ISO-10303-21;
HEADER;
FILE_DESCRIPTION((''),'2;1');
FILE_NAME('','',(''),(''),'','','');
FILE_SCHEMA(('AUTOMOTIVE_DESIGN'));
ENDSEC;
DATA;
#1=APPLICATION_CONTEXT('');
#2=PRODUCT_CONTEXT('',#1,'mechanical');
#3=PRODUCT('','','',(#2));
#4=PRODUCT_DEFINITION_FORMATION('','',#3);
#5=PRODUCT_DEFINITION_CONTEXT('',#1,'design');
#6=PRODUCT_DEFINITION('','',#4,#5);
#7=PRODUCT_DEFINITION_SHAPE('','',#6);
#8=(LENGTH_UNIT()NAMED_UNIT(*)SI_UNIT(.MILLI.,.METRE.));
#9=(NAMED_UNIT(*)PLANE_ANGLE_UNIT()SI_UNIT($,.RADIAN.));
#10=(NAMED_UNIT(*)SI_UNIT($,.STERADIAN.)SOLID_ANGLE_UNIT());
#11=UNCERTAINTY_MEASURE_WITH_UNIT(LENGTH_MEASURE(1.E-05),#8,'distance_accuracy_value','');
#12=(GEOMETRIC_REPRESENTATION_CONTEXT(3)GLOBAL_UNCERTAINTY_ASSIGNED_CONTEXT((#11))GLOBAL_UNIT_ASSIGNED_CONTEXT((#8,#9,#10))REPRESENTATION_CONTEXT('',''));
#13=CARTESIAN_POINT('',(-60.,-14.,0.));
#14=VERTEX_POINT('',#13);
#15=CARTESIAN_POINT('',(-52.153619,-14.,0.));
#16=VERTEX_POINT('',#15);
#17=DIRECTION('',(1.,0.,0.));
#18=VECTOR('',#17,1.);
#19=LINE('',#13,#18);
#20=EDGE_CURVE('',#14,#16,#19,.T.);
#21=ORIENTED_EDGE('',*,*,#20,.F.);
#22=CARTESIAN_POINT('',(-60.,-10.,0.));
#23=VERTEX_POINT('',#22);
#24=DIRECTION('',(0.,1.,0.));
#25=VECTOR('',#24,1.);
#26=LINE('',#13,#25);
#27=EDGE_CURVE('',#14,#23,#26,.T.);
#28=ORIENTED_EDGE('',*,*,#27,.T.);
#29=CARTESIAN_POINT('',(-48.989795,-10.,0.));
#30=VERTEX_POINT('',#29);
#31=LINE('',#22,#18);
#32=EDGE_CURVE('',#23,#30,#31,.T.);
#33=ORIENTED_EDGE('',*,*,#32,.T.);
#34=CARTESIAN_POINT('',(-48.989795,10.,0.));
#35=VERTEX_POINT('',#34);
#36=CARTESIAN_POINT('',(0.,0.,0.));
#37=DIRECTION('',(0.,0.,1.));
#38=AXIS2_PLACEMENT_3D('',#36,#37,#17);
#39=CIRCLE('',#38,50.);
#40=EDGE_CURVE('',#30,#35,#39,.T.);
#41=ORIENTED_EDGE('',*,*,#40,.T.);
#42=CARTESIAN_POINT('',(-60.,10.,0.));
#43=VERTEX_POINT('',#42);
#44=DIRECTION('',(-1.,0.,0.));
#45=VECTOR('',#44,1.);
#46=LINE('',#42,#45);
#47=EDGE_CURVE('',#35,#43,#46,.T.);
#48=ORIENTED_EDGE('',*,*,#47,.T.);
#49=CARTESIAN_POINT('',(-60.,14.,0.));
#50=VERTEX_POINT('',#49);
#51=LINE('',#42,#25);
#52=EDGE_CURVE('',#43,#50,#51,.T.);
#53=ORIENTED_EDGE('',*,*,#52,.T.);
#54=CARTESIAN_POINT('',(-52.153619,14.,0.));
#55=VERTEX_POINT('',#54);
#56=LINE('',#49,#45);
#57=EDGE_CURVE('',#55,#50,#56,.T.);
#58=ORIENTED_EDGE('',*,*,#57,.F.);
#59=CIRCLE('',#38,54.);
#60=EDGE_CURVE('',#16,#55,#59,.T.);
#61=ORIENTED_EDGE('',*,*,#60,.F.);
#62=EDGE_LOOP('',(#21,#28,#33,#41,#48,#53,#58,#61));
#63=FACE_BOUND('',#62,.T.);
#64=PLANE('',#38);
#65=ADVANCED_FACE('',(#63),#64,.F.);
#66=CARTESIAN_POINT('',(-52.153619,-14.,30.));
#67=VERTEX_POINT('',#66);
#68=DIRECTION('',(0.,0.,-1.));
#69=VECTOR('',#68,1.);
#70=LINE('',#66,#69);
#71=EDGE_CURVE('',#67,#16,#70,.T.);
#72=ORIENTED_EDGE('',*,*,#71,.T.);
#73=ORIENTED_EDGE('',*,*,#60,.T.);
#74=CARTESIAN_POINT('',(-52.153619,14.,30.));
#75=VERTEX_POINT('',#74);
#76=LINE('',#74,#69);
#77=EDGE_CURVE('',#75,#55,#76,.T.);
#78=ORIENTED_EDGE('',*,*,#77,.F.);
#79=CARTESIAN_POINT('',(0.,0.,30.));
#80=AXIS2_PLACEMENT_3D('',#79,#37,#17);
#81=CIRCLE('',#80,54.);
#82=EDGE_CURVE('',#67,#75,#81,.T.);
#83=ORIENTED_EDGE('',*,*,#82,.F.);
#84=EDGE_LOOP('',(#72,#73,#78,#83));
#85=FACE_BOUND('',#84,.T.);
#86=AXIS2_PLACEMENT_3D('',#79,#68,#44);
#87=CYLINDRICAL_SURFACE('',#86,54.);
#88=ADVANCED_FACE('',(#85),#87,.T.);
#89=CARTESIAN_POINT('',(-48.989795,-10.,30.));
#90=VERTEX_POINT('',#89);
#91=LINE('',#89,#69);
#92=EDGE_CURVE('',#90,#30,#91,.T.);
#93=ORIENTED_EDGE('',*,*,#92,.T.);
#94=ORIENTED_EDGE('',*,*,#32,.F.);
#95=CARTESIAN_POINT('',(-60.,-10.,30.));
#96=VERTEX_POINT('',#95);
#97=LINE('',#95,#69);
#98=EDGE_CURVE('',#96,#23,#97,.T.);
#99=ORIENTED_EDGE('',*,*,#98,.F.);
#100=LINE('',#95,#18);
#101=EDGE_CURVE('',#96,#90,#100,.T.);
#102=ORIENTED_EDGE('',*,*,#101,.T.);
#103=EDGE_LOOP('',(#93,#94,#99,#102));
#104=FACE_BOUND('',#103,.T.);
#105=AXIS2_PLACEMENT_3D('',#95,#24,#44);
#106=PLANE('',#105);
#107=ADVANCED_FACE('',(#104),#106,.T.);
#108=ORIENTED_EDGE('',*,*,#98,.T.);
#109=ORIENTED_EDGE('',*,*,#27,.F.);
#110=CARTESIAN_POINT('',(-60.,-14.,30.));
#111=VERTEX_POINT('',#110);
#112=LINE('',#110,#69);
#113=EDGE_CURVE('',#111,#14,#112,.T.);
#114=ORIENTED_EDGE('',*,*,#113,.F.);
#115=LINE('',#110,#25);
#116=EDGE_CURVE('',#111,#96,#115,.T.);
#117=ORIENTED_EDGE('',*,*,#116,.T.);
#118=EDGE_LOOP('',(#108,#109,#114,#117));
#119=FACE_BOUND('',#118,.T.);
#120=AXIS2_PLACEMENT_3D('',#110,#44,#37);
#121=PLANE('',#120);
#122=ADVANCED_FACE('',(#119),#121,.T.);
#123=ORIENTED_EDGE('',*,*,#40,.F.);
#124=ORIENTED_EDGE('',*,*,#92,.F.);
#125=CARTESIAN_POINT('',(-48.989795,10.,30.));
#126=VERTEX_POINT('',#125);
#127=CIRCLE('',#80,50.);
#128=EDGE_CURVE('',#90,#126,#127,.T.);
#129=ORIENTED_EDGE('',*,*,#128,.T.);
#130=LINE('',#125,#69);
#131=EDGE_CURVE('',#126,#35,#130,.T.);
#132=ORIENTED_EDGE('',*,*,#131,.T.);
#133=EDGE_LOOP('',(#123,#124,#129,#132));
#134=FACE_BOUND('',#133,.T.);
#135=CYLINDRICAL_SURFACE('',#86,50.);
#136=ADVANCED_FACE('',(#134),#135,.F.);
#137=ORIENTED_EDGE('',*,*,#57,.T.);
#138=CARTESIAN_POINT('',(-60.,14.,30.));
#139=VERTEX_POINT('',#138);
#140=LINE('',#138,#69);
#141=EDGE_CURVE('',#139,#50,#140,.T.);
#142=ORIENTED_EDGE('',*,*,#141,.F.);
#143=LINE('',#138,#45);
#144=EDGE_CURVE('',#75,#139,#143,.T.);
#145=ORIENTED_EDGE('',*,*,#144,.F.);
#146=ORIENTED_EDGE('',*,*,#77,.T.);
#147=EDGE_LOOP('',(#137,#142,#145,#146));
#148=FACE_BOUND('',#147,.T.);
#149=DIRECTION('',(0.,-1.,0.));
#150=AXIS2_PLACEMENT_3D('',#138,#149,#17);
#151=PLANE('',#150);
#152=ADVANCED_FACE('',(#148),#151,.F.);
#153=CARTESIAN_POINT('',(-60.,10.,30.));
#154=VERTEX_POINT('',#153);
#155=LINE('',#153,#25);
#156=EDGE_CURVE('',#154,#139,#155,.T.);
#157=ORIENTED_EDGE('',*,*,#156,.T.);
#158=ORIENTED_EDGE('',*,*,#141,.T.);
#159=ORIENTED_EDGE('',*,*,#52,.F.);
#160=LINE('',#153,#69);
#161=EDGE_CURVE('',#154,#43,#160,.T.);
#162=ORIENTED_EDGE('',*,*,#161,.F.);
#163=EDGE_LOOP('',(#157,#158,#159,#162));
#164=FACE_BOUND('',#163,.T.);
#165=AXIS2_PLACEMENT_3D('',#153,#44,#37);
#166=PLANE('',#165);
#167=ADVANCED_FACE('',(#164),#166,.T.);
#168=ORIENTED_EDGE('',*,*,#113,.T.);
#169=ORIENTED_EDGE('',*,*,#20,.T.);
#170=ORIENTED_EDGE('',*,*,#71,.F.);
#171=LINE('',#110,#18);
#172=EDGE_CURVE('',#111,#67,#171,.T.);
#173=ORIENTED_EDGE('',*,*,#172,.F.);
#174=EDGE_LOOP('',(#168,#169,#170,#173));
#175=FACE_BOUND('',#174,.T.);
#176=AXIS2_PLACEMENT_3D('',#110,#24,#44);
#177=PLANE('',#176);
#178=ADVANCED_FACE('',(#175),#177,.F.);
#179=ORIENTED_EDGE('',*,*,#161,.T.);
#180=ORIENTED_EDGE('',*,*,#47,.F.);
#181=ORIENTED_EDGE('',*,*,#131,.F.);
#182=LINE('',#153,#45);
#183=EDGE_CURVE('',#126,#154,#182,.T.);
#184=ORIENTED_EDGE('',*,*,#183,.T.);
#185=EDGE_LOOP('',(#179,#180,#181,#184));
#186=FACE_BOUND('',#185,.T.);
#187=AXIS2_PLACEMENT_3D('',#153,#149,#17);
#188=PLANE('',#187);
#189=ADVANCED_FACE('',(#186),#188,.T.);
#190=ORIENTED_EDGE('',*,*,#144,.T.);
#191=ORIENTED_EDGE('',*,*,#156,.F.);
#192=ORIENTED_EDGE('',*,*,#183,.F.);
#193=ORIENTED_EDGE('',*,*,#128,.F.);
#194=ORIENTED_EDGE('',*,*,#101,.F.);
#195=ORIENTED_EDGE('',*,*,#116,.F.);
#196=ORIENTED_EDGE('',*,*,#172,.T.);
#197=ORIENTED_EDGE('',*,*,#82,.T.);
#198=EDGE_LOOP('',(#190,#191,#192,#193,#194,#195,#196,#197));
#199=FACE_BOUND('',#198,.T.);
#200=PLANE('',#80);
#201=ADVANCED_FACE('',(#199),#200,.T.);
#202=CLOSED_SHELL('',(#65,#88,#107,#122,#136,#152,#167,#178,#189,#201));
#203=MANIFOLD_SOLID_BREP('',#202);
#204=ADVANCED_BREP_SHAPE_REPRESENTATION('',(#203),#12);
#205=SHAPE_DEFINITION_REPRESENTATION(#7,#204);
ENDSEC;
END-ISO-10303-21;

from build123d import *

# Parameters (mm, degrees)
EXTRUDE_THIN1_DEPTH = 30


with BuildPart() as part:
    # Sketch1 → Extrude-Thin1 (new body)
    with BuildSketch(Plane.XY):
        with BuildLine():
            Line((-60, 10), (-48.989794856, 10))
            ThreePointArc((-48.989794856, 10), (50, 0), (-48.989794856, -10))
            Line((-48.989794856, -10), (-60, -10))
            Line((-60, -10), (-60, -14))
            Line((-60, -14), (-52.153619242, -14))
            ThreePointArc((-52.153619242, -14), (54, 0), (-52.153619242, 14))
            Line((-52.153619242, 14), (-60, 14))
            Line((-60, 14), (-60, 10))
        make_face()
    extrude(amount=EXTRUDE_THIN1_DEPTH)


solid = part.part
